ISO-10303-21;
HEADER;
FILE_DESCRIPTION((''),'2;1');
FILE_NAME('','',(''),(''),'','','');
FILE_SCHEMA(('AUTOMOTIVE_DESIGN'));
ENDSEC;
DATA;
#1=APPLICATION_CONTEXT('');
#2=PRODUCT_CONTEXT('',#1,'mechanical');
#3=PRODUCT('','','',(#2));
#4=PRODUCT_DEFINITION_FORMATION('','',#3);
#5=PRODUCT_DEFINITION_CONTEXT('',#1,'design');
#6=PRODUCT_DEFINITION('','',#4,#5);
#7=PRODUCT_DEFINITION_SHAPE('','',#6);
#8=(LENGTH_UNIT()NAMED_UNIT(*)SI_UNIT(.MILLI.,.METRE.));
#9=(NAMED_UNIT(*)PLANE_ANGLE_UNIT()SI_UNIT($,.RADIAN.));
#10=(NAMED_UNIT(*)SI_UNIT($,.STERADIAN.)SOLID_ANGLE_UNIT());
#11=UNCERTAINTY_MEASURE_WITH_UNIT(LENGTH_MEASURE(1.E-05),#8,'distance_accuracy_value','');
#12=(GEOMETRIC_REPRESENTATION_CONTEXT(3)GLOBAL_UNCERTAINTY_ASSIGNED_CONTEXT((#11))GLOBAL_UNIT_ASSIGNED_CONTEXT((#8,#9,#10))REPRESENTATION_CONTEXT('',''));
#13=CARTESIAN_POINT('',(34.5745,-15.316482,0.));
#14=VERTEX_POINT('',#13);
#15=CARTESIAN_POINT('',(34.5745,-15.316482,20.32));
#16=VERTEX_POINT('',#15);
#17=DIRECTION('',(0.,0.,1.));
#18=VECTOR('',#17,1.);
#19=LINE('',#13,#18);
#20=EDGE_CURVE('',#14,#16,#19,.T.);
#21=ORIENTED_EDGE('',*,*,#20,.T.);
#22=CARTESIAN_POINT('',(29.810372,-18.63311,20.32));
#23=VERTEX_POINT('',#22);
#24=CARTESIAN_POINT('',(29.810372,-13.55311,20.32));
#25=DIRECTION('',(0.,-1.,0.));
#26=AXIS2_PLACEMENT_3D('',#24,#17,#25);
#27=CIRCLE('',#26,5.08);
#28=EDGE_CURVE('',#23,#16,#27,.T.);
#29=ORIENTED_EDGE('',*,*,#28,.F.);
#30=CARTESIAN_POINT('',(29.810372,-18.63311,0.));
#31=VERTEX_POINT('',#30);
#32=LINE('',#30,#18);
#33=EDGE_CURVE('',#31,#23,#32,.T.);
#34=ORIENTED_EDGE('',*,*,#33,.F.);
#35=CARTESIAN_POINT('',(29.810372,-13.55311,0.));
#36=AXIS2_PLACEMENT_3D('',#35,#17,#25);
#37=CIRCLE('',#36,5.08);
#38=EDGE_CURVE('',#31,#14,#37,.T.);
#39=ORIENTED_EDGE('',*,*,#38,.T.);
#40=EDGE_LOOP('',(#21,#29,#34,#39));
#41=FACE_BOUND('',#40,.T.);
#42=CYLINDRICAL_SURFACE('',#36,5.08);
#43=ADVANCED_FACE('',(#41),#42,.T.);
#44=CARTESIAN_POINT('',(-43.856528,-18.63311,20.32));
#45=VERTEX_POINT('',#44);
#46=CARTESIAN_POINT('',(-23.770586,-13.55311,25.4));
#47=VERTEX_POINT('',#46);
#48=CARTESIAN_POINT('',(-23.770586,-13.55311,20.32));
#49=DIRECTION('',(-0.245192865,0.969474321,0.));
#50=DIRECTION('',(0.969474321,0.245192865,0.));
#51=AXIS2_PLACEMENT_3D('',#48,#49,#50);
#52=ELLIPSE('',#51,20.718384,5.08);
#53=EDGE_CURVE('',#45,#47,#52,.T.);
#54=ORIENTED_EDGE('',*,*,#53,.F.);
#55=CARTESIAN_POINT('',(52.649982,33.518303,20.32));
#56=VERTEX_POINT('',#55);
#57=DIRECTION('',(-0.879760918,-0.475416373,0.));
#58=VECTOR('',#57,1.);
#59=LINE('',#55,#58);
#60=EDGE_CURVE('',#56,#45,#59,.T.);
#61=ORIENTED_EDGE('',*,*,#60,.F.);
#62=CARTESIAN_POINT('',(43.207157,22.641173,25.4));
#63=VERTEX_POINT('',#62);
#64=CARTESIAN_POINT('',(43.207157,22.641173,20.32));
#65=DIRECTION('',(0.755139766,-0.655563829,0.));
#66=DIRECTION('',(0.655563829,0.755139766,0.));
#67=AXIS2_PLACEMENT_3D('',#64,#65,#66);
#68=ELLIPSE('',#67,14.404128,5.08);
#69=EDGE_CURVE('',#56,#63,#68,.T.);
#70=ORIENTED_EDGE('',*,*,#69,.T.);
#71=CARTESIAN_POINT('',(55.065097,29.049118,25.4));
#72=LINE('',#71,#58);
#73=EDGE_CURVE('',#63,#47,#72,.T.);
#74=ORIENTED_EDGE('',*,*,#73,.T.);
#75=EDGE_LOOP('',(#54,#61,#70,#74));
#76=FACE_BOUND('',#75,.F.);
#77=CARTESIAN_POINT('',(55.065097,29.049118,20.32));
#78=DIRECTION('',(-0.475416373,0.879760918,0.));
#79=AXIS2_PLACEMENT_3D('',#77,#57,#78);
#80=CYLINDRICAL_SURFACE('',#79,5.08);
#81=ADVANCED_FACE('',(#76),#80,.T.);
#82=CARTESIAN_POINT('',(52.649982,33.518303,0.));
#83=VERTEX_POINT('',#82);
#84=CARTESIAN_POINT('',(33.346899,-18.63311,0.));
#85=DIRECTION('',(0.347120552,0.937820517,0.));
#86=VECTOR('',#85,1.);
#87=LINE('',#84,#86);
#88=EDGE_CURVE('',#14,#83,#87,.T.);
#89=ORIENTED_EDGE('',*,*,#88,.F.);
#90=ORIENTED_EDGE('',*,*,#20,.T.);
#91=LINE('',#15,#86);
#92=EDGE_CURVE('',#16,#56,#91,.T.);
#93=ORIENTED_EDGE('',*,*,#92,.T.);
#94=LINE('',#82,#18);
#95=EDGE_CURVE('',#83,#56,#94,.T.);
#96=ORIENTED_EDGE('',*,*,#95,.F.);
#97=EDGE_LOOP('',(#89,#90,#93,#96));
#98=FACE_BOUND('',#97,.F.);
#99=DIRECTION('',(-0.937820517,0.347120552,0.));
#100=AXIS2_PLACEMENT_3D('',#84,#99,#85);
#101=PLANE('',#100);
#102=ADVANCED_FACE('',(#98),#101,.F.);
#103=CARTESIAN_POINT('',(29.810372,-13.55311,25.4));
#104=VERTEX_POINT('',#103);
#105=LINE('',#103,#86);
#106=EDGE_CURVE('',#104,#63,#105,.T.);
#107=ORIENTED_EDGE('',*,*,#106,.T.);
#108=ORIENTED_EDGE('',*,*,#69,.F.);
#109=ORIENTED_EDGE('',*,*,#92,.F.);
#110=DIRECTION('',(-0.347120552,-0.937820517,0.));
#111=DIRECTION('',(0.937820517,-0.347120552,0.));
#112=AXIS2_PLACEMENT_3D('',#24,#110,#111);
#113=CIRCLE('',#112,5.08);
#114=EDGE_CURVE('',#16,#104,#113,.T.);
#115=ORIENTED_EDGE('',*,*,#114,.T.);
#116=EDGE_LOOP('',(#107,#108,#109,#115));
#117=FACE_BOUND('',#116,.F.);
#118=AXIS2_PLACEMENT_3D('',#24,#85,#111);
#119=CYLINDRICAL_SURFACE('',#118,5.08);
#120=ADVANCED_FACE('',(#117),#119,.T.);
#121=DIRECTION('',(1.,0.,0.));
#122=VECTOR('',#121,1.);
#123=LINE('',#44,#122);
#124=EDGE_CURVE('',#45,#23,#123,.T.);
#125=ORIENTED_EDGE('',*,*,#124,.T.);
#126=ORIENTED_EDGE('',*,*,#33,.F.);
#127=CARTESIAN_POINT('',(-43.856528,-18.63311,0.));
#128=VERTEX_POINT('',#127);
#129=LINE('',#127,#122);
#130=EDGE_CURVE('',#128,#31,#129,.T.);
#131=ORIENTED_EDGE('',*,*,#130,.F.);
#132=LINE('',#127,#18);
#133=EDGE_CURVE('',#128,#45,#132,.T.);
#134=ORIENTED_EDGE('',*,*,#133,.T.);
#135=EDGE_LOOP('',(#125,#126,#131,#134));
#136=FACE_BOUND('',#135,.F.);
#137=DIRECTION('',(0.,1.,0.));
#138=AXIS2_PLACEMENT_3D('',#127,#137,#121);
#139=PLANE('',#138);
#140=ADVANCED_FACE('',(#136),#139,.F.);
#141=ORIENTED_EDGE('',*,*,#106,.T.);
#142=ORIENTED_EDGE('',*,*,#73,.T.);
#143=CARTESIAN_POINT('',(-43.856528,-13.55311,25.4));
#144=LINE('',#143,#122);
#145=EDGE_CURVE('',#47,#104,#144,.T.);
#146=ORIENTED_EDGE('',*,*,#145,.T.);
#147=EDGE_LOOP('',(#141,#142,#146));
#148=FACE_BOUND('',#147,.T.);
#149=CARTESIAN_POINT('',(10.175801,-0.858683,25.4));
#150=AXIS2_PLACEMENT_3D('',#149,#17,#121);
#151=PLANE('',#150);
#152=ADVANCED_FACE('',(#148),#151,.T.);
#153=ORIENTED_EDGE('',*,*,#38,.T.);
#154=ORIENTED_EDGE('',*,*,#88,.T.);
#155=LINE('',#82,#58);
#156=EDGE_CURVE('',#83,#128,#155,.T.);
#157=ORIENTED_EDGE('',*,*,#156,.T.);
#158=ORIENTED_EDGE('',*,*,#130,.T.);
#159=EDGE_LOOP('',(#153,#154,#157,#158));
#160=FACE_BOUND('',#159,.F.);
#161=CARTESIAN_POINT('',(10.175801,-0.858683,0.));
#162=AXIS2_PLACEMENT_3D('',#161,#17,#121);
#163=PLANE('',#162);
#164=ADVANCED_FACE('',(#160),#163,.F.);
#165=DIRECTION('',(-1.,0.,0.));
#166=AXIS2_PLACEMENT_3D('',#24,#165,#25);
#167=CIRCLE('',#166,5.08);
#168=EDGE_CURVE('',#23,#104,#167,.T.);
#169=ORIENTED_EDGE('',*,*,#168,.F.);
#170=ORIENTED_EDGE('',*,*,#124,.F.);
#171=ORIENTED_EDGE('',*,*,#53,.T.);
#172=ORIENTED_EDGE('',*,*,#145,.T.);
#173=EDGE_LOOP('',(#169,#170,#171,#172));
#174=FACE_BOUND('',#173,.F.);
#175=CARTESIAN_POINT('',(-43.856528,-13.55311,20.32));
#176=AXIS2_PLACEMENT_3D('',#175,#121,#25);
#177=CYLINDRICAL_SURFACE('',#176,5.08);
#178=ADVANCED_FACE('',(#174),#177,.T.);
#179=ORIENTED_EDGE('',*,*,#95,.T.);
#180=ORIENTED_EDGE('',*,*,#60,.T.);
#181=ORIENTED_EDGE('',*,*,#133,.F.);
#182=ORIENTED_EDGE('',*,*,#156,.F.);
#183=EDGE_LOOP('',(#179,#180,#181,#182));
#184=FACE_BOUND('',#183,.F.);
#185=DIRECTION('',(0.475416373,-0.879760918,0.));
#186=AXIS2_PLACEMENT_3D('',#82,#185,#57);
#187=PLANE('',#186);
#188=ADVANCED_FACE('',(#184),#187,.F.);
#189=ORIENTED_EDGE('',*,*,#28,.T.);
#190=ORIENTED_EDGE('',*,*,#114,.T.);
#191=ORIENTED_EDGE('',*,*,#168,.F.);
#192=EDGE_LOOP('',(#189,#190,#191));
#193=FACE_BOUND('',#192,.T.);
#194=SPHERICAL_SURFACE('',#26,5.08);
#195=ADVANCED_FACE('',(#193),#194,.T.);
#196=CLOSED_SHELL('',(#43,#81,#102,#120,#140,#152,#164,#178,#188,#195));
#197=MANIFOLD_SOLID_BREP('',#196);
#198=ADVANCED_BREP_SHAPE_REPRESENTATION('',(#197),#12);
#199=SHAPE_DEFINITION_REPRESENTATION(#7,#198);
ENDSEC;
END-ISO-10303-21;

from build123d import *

# Parameters (mm, degrees)
F1_DEPTH = 25.4
F2_R     = 5.08
F3_R     = 5.08


with BuildPart() as f1:
    # F0 (on Top) → F1 (new body)
    with BuildSketch(Plane.XY):
        Polygon((52.649982, 33.518303), (-43.856528, -18.63311), (33.346899, -18.63311), align=None)
    extrude(amount=F1_DEPTH)

    # F2
    f2_edges = [f1.edges().sort_by_distance(p)[0] for p in [
        (33.346899, -18.63311, 12.7),
    ]]
    fillet(f2_edges, radius=F2_R)

    # F3
    f3_edges = [f1.edges().sort_by_distance(p)[0] for p in [
        (-7.023078, -18.63311, 25.4),
        (32.712825, -17.722303, 25.4),
        (4.396727, 7.442596, 25.4),
        (43.612241, 9.10091, 25.4),
    ]]
    fillet(f3_edges, radius=F3_R)


solid = f1.part
